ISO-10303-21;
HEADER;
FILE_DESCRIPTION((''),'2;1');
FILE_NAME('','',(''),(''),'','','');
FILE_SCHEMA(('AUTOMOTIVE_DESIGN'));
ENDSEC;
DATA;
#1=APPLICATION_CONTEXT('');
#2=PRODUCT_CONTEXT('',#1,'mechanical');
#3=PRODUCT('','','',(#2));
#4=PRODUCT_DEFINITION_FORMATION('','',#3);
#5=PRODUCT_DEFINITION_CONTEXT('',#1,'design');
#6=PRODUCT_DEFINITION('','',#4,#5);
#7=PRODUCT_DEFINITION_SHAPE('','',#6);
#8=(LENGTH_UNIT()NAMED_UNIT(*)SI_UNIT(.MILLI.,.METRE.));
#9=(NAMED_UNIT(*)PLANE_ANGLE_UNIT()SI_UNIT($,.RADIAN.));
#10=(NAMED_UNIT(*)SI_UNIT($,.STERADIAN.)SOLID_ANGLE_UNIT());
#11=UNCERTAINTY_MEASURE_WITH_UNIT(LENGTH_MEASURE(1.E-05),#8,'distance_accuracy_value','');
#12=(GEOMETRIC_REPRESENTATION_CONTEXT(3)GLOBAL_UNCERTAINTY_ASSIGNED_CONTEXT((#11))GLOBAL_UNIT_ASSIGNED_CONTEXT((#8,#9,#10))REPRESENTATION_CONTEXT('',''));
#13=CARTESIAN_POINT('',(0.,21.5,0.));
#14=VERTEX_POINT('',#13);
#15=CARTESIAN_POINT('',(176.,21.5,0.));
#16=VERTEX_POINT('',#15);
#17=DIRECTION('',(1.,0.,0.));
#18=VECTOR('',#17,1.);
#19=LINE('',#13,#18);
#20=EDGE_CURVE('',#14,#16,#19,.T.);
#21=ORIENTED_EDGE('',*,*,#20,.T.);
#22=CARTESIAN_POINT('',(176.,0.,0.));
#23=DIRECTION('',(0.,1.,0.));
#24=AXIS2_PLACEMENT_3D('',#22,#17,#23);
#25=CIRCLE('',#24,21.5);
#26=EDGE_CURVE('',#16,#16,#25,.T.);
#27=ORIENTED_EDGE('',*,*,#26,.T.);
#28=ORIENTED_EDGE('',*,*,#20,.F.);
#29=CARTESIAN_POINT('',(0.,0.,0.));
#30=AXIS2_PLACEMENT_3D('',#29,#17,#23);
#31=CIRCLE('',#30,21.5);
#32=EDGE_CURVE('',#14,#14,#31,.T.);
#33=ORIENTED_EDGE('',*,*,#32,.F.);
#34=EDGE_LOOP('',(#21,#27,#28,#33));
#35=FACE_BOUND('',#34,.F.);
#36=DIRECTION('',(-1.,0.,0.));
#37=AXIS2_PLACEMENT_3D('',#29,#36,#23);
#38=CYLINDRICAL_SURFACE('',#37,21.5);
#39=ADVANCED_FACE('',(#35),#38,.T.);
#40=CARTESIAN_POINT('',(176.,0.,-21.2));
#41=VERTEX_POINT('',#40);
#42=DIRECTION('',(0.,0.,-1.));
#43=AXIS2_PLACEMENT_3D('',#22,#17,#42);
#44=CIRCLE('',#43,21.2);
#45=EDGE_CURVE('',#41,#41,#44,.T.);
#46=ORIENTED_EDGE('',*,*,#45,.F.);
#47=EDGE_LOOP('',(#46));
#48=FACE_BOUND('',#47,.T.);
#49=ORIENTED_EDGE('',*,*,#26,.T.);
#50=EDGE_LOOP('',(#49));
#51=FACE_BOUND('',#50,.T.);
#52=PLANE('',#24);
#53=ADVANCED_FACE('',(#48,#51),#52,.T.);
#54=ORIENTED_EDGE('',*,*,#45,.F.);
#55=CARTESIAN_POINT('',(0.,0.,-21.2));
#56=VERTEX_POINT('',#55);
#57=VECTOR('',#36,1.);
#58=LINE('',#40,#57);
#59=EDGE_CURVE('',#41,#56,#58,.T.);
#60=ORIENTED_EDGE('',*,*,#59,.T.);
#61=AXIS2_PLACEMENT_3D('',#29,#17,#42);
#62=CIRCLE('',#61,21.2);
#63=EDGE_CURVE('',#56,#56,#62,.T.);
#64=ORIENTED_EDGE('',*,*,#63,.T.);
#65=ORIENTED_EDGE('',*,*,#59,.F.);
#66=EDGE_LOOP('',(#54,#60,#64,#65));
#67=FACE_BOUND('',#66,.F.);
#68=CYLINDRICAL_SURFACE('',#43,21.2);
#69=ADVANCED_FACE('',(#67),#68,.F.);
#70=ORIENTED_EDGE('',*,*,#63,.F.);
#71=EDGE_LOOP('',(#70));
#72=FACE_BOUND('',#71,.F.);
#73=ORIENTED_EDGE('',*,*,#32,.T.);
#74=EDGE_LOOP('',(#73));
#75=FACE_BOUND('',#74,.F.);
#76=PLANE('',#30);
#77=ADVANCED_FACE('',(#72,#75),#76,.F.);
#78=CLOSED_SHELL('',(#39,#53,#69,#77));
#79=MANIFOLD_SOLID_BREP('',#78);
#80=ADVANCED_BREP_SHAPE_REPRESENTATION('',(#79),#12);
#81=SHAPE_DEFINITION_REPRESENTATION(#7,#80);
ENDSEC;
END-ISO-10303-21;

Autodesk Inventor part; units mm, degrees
ref_plane "YZ Plane" through (0, 0, 0) normal (1, 0, 0) x (0, 1, 0)
ref_plane "XZ Plane" through (0, 0, 0) normal (0, 1, 0) x (-1, 0, 0)
ref_plane "XY Plane" through (0, 0, 0) normal (0, 0, 1) x (1, 0, 0)
sketch "Sketch1" plane through (0, 0, 0) normal (1, 0, 0) x (0, 1, 0)
  circle A0 centre (0, 0) radius 21.5
  dimension "d0" = 43
extrude "Extrusion1" add sketch "Sketch1" along normal blind 176
sketch "Sketch2" plane through (176, 0, 0) normal (1, 0, 0) x (0, 0, -1)
  circle A0 centre (0, 0) radius 21.2
extrude "Extrusion2" cut sketch "Sketch2" against normal blind 176
properties part number "tabung_suntik"
